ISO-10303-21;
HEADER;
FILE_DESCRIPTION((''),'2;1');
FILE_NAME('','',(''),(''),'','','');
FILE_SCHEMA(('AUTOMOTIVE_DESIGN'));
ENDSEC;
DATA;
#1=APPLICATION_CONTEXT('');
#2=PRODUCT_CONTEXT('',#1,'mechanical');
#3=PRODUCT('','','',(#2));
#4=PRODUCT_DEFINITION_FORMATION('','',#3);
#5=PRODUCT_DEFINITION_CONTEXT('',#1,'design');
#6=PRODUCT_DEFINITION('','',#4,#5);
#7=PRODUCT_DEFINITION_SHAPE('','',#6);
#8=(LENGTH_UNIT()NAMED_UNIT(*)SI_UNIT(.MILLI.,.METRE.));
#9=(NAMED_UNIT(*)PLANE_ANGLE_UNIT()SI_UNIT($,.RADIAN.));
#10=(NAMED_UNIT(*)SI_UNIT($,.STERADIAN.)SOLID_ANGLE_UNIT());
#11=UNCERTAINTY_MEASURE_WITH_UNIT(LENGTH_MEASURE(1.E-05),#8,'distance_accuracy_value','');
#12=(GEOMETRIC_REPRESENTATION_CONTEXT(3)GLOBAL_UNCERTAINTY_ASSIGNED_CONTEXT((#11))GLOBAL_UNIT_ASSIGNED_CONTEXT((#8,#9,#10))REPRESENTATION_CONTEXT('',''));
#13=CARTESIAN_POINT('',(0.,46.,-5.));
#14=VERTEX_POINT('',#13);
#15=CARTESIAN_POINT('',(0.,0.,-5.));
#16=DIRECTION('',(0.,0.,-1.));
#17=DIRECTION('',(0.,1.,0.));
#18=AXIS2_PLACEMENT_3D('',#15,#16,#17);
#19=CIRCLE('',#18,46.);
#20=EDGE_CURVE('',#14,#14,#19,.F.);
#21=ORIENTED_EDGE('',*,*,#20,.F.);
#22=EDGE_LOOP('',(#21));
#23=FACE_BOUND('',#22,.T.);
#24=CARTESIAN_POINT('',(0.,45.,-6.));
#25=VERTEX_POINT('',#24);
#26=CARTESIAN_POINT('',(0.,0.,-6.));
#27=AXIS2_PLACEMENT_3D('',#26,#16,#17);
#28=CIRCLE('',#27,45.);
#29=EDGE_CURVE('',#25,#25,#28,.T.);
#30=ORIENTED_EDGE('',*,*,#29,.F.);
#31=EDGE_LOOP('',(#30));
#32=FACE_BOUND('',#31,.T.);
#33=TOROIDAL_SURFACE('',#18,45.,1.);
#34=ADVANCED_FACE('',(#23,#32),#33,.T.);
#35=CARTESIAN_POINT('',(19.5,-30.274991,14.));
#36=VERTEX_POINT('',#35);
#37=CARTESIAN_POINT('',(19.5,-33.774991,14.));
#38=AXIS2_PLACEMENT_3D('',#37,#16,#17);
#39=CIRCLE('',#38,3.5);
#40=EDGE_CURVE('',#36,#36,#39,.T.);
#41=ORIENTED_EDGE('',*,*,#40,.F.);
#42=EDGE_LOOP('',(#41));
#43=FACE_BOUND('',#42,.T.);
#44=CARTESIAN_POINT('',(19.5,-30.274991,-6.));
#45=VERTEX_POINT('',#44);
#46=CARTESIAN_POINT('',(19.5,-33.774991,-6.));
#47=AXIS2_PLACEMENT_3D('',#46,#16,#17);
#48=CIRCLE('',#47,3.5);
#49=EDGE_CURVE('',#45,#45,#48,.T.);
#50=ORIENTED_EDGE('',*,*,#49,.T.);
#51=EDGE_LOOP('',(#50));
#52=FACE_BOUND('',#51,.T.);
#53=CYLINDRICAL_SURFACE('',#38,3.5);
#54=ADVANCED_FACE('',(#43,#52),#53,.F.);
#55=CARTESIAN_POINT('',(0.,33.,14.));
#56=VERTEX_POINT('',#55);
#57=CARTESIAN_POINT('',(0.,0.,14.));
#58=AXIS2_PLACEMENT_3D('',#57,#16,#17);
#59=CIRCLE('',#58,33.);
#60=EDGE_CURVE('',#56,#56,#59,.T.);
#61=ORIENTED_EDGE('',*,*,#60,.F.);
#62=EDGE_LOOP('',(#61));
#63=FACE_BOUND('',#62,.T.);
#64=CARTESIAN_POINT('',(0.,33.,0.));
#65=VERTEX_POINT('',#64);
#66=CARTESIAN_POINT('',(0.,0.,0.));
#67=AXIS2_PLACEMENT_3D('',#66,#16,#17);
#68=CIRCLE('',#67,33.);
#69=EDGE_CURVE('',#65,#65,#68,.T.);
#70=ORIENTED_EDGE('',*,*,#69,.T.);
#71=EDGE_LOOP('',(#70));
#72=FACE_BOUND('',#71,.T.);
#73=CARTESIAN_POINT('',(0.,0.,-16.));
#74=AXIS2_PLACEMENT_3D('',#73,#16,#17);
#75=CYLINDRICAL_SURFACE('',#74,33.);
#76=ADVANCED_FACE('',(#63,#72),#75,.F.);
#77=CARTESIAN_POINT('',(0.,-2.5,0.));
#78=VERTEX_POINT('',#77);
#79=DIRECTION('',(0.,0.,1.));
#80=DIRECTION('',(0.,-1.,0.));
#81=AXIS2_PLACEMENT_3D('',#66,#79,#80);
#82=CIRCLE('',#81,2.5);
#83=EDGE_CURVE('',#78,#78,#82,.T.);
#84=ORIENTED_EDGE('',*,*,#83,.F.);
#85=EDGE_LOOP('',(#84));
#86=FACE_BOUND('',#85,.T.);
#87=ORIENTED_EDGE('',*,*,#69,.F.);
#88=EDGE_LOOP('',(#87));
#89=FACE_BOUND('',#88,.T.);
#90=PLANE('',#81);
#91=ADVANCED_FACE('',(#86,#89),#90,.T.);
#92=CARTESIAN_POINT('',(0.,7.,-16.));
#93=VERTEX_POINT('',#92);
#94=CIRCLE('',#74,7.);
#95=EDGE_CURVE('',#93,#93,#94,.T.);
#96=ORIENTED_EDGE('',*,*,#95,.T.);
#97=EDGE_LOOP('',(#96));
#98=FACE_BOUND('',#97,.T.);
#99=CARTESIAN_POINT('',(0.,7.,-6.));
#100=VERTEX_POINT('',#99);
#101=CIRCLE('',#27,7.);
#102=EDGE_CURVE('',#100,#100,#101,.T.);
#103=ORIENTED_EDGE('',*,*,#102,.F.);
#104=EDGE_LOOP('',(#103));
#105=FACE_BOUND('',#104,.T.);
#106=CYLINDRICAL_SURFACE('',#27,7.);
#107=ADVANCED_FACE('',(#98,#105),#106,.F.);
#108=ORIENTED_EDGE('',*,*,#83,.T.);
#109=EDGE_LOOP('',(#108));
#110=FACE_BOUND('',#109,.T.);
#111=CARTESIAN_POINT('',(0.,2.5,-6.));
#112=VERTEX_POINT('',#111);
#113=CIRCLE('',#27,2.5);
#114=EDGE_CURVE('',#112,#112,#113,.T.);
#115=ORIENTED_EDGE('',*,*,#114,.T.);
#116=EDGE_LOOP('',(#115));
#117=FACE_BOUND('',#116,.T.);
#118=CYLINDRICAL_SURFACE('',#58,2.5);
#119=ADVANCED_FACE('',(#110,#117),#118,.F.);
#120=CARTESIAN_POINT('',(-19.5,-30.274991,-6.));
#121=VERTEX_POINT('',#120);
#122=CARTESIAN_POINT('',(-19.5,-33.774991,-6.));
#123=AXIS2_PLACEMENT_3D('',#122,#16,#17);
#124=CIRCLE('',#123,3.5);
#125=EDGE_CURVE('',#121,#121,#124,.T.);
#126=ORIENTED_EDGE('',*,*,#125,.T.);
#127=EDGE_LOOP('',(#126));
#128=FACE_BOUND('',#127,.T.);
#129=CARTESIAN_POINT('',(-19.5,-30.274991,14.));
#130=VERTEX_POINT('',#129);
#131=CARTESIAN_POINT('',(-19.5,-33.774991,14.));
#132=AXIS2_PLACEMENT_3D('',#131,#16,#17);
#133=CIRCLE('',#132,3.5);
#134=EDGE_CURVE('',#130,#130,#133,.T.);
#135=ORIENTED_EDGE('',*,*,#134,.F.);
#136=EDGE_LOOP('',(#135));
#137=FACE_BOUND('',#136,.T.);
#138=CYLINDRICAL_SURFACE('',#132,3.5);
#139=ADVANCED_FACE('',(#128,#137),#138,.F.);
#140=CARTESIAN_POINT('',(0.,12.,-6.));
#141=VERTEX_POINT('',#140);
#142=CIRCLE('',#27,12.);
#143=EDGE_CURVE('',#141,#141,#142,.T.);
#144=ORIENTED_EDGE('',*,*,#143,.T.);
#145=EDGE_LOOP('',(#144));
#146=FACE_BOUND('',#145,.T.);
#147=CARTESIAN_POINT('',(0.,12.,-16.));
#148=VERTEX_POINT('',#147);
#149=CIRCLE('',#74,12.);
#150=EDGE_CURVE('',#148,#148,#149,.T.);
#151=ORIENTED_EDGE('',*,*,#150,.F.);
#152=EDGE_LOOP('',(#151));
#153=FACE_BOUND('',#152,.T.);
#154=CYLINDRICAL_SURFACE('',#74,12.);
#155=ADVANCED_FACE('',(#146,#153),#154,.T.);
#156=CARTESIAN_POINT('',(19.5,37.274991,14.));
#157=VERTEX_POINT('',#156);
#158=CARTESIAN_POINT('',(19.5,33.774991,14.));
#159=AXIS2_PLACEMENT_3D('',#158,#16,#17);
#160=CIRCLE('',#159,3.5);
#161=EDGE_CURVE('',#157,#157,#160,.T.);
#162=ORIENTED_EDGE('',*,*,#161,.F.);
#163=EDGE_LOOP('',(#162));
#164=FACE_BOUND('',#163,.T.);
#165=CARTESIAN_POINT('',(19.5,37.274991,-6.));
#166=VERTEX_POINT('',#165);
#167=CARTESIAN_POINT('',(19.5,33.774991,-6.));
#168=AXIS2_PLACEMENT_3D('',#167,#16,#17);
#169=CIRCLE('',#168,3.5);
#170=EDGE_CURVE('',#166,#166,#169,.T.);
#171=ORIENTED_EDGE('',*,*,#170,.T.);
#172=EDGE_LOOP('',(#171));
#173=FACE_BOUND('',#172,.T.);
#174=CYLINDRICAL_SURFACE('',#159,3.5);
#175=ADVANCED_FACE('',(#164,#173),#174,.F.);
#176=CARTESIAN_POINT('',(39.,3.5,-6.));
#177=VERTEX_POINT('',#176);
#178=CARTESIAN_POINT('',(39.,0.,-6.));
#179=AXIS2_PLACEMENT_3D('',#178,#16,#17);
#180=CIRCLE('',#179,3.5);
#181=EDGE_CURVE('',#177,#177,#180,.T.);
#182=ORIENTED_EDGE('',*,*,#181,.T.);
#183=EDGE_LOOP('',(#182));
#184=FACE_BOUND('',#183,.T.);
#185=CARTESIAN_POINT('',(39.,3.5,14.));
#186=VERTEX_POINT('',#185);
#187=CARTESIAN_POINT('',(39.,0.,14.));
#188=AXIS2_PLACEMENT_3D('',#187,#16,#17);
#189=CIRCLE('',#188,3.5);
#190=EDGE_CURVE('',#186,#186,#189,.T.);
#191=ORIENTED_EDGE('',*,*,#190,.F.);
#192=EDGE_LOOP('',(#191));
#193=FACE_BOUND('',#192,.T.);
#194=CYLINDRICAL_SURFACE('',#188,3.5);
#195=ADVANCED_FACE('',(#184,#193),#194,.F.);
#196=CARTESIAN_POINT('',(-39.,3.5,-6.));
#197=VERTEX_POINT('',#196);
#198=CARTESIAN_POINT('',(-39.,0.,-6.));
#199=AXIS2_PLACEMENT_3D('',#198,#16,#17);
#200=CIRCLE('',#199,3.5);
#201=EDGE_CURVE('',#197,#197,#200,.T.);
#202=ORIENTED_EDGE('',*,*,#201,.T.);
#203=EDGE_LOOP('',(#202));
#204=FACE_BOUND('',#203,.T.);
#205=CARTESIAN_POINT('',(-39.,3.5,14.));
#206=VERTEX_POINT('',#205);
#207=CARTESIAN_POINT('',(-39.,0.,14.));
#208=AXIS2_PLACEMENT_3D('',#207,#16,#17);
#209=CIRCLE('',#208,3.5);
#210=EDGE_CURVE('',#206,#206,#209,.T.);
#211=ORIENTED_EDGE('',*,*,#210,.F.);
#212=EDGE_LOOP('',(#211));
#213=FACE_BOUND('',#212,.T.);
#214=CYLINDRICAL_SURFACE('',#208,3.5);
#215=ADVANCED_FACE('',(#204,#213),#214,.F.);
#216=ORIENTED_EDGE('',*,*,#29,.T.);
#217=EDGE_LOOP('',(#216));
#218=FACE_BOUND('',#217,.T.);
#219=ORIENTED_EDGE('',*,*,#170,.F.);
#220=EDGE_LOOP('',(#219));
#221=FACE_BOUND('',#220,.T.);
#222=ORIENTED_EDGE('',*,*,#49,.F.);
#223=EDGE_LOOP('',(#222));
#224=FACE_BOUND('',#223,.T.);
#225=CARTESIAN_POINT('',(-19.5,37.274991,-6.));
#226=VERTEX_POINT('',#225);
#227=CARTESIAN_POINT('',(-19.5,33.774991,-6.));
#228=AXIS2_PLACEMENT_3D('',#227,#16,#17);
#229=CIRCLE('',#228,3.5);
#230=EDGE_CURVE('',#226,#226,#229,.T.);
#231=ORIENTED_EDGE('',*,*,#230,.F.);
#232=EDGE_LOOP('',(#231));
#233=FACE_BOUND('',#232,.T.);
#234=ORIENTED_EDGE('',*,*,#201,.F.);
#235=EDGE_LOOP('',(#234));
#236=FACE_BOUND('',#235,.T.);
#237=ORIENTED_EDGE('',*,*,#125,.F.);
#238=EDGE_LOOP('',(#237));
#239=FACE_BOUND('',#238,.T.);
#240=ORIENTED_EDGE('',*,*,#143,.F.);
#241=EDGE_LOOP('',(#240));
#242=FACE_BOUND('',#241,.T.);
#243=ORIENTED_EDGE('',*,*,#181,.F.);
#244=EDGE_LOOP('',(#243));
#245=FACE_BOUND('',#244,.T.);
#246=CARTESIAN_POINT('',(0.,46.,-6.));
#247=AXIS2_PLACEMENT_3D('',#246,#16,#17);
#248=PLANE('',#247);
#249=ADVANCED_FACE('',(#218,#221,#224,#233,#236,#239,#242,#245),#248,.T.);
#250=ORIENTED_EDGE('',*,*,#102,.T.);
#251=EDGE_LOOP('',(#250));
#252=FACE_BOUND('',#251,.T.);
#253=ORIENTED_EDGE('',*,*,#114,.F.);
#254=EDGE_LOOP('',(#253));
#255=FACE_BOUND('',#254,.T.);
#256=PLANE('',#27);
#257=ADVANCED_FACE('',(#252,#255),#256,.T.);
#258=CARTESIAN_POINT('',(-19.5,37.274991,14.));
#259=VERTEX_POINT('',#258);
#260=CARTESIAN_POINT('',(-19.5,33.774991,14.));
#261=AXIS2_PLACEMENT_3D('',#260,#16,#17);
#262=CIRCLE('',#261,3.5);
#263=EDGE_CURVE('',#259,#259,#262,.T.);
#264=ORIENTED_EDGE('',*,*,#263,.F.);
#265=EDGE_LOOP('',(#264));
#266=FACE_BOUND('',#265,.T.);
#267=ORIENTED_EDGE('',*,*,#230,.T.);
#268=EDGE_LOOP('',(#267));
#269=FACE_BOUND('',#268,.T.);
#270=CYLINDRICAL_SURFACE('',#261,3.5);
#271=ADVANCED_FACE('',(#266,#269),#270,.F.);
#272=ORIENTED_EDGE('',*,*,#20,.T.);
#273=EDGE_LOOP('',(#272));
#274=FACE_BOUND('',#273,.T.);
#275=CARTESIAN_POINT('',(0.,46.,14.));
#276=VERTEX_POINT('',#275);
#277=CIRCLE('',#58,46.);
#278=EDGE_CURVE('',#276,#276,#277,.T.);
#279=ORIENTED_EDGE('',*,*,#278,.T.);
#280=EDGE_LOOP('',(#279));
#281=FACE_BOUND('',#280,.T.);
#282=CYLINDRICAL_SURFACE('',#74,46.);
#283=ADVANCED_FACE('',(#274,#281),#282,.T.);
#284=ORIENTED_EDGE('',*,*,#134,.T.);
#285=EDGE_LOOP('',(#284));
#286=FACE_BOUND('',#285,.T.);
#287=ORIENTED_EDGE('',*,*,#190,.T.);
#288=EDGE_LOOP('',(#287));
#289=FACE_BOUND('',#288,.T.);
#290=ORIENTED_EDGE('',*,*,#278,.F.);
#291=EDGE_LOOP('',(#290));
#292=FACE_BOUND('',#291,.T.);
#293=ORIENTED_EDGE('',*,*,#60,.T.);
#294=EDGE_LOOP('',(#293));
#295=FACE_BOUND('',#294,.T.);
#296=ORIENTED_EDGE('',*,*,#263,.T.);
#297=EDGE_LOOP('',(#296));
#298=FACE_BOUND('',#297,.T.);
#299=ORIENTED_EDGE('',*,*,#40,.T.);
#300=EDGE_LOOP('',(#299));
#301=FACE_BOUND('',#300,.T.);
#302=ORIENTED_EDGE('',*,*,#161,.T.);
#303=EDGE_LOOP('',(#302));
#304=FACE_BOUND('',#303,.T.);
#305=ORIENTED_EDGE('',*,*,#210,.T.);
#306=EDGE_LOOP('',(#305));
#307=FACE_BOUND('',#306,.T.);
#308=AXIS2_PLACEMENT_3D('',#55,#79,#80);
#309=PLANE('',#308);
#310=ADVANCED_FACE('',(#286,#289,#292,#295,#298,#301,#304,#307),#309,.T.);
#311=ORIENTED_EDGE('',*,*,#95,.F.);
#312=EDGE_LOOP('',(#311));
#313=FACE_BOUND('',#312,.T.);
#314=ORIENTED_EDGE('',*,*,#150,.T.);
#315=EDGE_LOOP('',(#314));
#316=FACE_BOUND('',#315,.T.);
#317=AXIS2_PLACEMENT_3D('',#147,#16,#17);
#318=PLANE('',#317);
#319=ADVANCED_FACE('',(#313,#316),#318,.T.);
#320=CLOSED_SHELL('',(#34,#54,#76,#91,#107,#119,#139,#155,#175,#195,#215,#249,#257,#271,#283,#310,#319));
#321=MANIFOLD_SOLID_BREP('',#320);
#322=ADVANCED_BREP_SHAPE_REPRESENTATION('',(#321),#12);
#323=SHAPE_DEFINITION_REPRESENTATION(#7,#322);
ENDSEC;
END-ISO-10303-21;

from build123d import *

# Parameters (mm, degrees)
SKETCH2_R          = 3.5
CUT_EXTRUDE1_DEPTH = 69.058798109
SKETCH3_R          = 7
CUT_EXTRUDE2_DEPTH = 10
SKETCH3_3_R        = 2.5
CUT_EXTRUDE3_DEPTH = 72.637978754
FILLET1_R          = 1


with BuildPart() as part:
    # Sketch1 → Revolve1 (revolve)
    with BuildSketch(Plane(origin=(0, 0, 0), x_dir=(0, 0, -1), z_dir=(1, 0, 0))):
        Polygon((0, 33), (-14, 33), (-14, 46), (6, 46), (6, 12), (16, 12), (16, 0), (0, 0), align=None)
    revolve(axis=Axis((0, 0, -16), (0, 0, 1)))

    # Sketch2 → Cut-Extrude1 (cut, through all)
    with BuildSketch(Plane(origin=(0, 0, -6), x_dir=(-1, 0, 0), z_dir=(0, 0, -1))):
        with Locations((19.5, -33.774990748)):
            Circle(SKETCH2_R)
        with Locations((-19.5, -33.774990748)):
            Circle(SKETCH2_R)
        with Locations((-39, 0)):
            Circle(SKETCH2_R)
        with Locations((-19.5, 33.774990748)):
            Circle(SKETCH2_R)
        with Locations((19.5, 33.774990748)):
            Circle(SKETCH2_R)
        with Locations((39, 0)):
            Circle(SKETCH2_R)
    extrude(amount=-CUT_EXTRUDE1_DEPTH, mode=Mode.SUBTRACT)

    # Sketch3 → Cut-Extrude2 (cut)
    with BuildSketch(Plane(origin=(0, 0, -16), x_dir=(-1, 0, 0), z_dir=(0, 0, -1))):
        Circle(SKETCH3_R)
    extrude(amount=-CUT_EXTRUDE2_DEPTH, mode=Mode.SUBTRACT)

    # Sketch3<3> → Cut-Extrude3 (cut, through all)
    with BuildSketch(Plane(origin=(0, 0, -16), x_dir=(-1, 0, 0), z_dir=(0, 0, -1))):
        Circle(SKETCH3_3_R)
    extrude(amount=-CUT_EXTRUDE3_DEPTH, mode=Mode.SUBTRACT)

    # Fillet1
    fillet1_edges = [part.edges().sort_by_distance(p)[0] for p in [
        (0, -46, -6),
    ]]
    fillet(fillet1_edges, radius=FILLET1_R)


solid = part.part
